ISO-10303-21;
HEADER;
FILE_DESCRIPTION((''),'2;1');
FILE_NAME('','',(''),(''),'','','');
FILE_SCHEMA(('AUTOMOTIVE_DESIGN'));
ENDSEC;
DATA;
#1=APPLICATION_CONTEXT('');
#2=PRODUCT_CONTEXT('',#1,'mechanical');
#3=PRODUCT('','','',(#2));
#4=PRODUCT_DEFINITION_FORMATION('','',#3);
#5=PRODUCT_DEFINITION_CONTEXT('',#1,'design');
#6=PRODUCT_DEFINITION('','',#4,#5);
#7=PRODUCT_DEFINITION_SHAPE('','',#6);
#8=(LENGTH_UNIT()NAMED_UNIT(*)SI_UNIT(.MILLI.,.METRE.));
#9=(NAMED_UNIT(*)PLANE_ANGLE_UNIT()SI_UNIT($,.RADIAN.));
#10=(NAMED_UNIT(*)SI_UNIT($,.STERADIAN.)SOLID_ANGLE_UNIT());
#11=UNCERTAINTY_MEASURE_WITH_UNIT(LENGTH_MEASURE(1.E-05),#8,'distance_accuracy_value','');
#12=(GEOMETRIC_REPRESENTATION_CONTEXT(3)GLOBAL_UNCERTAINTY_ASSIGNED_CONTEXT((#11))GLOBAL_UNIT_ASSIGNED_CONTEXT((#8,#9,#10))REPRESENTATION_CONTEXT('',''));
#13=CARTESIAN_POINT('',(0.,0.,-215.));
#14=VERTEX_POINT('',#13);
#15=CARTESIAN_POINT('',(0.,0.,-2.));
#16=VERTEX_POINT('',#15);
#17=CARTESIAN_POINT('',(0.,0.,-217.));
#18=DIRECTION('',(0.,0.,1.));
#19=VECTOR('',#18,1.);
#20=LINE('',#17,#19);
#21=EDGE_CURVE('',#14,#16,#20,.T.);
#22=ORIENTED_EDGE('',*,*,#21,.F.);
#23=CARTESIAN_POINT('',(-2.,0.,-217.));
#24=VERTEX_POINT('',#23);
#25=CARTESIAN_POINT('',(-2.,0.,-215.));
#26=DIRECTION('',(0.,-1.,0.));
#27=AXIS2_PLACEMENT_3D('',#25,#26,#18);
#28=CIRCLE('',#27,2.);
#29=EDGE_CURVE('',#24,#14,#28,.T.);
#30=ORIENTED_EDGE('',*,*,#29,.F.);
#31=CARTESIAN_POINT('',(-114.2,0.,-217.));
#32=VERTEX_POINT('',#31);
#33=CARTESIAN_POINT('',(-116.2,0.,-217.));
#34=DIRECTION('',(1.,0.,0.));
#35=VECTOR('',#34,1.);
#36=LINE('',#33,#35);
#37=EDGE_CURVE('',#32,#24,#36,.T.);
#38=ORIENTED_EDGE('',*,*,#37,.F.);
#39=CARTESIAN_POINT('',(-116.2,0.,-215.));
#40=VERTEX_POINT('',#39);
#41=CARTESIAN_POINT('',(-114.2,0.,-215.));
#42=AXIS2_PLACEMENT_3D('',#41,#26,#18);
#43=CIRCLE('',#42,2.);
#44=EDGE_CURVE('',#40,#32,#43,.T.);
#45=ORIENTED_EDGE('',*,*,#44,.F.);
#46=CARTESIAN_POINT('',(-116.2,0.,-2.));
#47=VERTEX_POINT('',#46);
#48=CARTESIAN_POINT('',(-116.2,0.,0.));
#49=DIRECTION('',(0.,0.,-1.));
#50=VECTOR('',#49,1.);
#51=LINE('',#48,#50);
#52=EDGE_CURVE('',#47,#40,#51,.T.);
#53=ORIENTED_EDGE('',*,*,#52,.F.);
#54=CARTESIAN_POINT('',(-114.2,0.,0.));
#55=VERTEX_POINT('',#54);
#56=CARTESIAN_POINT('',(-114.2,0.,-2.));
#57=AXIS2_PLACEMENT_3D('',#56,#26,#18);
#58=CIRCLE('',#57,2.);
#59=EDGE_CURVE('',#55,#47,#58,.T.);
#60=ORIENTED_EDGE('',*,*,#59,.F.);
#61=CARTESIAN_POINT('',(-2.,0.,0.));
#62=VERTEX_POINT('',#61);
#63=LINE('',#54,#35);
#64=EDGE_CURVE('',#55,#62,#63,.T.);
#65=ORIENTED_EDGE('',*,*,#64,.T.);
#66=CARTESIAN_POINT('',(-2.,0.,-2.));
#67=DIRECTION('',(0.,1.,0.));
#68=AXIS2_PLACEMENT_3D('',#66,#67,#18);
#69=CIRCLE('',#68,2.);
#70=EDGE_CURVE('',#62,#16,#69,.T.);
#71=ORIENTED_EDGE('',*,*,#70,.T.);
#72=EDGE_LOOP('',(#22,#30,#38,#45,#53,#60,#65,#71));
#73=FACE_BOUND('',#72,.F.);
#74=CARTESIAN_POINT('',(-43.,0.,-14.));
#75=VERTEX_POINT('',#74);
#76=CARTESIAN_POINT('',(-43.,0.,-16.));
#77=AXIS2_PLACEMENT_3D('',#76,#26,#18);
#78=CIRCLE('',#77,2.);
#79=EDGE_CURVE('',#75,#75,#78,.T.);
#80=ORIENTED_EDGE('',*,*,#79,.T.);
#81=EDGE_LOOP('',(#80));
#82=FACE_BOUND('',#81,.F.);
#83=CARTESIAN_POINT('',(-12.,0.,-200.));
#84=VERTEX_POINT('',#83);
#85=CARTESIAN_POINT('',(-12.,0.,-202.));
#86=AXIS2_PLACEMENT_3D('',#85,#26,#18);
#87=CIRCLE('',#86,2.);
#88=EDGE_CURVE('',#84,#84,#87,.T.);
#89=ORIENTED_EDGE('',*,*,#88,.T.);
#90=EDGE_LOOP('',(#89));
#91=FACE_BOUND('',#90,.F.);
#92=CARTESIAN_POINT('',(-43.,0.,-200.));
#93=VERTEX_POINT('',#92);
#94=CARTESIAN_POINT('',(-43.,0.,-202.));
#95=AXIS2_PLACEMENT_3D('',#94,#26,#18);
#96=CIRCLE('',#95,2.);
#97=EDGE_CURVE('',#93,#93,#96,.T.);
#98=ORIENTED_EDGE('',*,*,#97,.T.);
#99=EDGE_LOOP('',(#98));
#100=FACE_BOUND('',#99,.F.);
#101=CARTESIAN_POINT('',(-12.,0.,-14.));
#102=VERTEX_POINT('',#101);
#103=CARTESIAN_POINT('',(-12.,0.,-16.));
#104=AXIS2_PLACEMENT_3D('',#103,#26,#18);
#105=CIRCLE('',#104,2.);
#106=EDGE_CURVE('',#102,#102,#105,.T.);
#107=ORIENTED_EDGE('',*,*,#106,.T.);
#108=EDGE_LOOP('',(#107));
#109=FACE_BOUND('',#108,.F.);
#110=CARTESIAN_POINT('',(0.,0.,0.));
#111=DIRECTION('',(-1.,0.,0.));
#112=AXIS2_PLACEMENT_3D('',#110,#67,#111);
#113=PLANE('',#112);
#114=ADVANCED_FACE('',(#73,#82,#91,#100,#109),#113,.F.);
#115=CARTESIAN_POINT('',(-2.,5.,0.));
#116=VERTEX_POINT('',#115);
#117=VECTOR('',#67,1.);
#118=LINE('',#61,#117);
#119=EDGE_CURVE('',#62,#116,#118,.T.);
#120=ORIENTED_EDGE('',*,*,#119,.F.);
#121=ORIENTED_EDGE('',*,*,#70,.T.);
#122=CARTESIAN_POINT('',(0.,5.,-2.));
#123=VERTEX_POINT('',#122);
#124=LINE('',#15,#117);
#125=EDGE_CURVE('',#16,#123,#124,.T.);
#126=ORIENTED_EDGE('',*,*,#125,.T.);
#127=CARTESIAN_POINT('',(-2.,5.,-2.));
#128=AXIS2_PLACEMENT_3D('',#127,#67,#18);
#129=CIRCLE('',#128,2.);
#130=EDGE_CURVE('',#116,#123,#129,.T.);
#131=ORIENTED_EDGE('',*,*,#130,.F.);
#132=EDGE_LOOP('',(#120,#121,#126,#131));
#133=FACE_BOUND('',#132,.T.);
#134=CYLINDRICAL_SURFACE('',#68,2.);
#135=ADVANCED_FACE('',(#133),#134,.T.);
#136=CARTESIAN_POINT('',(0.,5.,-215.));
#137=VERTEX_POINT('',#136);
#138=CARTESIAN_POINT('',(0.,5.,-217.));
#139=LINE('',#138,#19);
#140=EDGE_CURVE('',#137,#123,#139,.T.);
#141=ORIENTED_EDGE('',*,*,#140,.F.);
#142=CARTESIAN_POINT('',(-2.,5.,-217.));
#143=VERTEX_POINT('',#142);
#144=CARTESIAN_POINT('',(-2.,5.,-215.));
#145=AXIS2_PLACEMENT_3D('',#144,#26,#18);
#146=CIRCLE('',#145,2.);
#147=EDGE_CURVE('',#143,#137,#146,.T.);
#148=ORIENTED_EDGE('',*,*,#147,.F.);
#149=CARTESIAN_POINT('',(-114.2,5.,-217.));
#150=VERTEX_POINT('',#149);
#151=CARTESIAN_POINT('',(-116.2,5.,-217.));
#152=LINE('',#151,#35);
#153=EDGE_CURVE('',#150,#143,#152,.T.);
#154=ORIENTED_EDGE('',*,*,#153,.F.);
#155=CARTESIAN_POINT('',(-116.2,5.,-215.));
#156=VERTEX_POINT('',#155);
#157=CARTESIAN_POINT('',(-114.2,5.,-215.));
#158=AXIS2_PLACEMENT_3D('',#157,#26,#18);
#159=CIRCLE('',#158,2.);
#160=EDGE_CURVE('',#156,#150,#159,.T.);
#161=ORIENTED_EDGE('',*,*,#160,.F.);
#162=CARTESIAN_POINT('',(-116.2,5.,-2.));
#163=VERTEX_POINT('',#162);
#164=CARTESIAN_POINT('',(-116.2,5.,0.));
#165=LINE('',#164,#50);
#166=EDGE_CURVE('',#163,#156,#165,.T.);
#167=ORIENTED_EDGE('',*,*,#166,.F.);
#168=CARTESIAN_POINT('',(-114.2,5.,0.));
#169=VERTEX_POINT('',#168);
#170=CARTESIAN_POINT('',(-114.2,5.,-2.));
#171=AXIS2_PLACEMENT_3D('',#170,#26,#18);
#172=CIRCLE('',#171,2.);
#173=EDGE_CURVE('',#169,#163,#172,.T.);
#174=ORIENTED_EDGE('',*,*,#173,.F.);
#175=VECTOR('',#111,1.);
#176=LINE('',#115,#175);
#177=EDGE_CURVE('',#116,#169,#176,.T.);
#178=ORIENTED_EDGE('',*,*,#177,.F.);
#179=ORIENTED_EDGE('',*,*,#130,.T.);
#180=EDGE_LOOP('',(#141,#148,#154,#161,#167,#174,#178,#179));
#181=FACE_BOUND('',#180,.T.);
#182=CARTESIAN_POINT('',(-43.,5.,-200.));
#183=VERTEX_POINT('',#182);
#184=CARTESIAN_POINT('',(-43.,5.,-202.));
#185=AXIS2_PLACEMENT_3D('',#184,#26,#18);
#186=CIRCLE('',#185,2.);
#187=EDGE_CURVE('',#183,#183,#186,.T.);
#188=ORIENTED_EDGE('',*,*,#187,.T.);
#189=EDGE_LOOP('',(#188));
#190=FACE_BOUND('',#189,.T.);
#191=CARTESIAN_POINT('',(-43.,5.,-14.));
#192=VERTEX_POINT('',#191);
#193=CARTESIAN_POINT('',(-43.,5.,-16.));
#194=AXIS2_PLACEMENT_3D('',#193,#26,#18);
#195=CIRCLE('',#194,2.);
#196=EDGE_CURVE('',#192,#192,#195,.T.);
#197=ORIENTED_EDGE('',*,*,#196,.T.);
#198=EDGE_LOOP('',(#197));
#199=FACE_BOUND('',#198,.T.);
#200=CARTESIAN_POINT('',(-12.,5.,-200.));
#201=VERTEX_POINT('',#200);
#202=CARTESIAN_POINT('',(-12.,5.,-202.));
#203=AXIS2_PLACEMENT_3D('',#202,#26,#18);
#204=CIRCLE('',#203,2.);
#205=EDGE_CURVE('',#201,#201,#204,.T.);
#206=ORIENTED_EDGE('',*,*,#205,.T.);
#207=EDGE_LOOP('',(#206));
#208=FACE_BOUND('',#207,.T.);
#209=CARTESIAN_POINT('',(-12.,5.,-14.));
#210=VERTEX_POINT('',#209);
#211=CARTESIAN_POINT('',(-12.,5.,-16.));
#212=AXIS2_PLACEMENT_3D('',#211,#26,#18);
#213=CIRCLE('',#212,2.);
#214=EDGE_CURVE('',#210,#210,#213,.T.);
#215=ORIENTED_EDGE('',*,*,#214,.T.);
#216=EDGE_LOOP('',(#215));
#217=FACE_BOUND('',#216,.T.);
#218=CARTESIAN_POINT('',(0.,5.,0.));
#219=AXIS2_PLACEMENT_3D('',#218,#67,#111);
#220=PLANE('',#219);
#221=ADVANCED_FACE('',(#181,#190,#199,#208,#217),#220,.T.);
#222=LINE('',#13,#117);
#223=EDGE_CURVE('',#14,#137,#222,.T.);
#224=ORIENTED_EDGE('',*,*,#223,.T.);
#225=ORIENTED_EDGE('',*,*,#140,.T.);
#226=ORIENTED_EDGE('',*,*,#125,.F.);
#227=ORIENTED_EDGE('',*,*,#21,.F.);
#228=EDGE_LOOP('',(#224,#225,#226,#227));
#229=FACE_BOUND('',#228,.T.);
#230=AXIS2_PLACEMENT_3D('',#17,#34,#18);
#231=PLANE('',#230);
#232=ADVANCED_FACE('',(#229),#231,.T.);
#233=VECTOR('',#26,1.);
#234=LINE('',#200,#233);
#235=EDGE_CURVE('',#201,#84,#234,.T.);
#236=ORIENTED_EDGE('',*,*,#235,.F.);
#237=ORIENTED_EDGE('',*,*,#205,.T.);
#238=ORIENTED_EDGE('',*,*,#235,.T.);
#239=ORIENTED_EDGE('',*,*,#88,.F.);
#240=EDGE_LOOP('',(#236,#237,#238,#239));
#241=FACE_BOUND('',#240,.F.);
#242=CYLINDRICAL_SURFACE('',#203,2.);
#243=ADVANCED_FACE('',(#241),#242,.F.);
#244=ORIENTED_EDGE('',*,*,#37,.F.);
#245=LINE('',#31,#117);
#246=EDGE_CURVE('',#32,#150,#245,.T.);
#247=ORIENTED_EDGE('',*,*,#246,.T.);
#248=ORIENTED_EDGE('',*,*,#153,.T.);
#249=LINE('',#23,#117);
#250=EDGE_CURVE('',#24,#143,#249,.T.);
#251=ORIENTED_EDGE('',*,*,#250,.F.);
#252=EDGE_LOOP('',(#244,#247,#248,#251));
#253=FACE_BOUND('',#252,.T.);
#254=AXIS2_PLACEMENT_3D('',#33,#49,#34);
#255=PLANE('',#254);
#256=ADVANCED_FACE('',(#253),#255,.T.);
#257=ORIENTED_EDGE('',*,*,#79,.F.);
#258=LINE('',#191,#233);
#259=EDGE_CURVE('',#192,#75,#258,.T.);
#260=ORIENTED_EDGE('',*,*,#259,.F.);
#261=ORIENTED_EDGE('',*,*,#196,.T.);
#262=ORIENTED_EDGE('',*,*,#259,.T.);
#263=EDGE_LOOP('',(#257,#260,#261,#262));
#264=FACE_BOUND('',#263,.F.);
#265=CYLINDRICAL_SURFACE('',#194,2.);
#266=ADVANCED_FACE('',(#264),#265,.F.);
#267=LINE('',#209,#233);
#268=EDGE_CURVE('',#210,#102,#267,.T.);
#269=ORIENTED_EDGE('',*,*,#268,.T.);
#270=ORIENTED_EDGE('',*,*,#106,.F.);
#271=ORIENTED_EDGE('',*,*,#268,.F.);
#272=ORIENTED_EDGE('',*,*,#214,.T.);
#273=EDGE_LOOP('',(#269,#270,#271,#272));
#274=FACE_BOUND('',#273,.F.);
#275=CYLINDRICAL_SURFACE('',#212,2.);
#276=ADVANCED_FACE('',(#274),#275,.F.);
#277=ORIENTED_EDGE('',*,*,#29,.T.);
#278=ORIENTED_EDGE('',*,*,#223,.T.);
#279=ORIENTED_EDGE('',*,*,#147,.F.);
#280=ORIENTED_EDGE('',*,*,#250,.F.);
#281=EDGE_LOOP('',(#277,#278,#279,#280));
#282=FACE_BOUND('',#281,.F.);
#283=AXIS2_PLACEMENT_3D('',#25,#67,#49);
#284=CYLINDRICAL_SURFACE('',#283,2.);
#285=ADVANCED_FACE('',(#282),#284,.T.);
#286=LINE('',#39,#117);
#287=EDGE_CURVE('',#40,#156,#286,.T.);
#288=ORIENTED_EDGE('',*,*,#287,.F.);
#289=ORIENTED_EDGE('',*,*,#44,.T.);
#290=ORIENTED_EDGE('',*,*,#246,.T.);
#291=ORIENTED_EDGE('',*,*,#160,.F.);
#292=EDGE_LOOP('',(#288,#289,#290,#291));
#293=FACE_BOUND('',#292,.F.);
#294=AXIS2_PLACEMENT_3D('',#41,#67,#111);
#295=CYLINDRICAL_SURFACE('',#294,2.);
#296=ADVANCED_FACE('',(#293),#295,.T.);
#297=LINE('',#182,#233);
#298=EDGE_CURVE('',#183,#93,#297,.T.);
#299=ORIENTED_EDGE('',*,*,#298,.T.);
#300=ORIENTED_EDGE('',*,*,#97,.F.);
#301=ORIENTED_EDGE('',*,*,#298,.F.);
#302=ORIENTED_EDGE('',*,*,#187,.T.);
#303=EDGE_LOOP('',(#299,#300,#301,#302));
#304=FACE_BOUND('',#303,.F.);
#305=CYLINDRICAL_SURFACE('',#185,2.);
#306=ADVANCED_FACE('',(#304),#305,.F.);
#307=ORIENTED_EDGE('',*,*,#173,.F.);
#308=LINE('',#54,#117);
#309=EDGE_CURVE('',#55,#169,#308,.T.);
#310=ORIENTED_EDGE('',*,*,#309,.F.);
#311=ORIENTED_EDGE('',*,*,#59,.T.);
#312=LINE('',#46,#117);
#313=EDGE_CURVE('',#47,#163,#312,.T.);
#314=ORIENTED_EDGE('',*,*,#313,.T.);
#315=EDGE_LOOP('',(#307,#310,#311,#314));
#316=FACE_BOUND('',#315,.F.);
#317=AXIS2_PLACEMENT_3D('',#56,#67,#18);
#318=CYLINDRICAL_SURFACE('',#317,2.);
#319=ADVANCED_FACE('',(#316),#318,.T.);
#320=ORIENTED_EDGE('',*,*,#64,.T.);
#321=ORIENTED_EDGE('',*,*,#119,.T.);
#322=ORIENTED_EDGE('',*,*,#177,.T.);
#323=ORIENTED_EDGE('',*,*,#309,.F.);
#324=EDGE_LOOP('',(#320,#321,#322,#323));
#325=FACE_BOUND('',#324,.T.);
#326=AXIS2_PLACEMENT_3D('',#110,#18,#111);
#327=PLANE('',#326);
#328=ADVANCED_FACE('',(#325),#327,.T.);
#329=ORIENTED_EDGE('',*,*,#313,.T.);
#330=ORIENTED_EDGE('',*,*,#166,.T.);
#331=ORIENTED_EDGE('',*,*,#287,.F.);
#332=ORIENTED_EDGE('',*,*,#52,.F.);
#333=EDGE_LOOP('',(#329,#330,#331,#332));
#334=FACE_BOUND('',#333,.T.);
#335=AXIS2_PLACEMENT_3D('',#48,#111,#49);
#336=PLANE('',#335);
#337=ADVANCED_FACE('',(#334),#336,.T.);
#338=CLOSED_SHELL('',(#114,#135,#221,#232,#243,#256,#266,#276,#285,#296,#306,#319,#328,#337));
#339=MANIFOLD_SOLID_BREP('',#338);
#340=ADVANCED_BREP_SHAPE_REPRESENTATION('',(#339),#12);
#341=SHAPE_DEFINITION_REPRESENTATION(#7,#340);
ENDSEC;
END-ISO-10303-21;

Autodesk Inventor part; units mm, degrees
ref_plane "YZ Plane" through (0, 0, 0) normal (1, 0, 0) x (0, 1, 0)
ref_plane "XZ Plane" through (0, 0, 0) normal (0, 1, 0) x (-1, 0, 0)
ref_plane "XY Plane" through (0, 0, 0) normal (0, 0, 1) x (1, 0, 0)
sketch "Sketch1" plane through (0, 0, 0) normal (0, 1, 0) x (-1, 0, 0)
  line L0 (0, 0) -> (111.2, 0)
  line L1 (116.2, 0) -> (116.2, -217)
  line L2 (116.2, -217) -> (0, -217)
  line L3 (0, -217) -> (0, 0)
  line L4 (111.2, 0) -> (111.2, 0)
  line L5 (111.2, 0) -> (116.2, 0)
  dimension "d4" = 5
  dimension "d5" = 111.2
  dimension "d6" = 217
  dimension "d7" = 217
extrude "Extrusion1" add sketch "Sketch1" along normal blind 5
fillet "Fillet1" radius 2 5 edges at (-111.2, 2.5, 0) (0, 2.5, 0) (-116.2, 2.5, 0) (0, 2.5, -217) (-116.2, 2.5, -217)
sketch "Sketch2" plane through (0, 5, 0) normal (0, 1, 0) x (1, 0, 0)
  line L0 (-12, -58.0921) -> (-12, 320.7627) construction
  line L1 (-43, -58.0921) -> (-43, 320.7627) construction
  line L2 (-149.1257, 202) -> (35.6079, 202) construction
  line L3 (-154.8253, 16) -> (27.8967, 16) construction
  line L4 (-114.2, 16) -> (-113.2, 16) construction
  line L5 (0, 2) -> (0, 215) projected
  point P0 (0, 0)
  point P1 (-43, 16)
  point P2 (-12, 16)
  point P3 (-43, 202)
  point P4 (-12, 202)
  dimension "d12" = 186
  dimension "d20" = 12
  dimension "d21" = 31
hole "Hole1" at (-43, 5, -16) at (-12, 5, -16) at (-43, 5, -202) at (-12, 5, -202) direction (0, -1, 0) diameter 4 end through all
properties part number "Central Divider"
